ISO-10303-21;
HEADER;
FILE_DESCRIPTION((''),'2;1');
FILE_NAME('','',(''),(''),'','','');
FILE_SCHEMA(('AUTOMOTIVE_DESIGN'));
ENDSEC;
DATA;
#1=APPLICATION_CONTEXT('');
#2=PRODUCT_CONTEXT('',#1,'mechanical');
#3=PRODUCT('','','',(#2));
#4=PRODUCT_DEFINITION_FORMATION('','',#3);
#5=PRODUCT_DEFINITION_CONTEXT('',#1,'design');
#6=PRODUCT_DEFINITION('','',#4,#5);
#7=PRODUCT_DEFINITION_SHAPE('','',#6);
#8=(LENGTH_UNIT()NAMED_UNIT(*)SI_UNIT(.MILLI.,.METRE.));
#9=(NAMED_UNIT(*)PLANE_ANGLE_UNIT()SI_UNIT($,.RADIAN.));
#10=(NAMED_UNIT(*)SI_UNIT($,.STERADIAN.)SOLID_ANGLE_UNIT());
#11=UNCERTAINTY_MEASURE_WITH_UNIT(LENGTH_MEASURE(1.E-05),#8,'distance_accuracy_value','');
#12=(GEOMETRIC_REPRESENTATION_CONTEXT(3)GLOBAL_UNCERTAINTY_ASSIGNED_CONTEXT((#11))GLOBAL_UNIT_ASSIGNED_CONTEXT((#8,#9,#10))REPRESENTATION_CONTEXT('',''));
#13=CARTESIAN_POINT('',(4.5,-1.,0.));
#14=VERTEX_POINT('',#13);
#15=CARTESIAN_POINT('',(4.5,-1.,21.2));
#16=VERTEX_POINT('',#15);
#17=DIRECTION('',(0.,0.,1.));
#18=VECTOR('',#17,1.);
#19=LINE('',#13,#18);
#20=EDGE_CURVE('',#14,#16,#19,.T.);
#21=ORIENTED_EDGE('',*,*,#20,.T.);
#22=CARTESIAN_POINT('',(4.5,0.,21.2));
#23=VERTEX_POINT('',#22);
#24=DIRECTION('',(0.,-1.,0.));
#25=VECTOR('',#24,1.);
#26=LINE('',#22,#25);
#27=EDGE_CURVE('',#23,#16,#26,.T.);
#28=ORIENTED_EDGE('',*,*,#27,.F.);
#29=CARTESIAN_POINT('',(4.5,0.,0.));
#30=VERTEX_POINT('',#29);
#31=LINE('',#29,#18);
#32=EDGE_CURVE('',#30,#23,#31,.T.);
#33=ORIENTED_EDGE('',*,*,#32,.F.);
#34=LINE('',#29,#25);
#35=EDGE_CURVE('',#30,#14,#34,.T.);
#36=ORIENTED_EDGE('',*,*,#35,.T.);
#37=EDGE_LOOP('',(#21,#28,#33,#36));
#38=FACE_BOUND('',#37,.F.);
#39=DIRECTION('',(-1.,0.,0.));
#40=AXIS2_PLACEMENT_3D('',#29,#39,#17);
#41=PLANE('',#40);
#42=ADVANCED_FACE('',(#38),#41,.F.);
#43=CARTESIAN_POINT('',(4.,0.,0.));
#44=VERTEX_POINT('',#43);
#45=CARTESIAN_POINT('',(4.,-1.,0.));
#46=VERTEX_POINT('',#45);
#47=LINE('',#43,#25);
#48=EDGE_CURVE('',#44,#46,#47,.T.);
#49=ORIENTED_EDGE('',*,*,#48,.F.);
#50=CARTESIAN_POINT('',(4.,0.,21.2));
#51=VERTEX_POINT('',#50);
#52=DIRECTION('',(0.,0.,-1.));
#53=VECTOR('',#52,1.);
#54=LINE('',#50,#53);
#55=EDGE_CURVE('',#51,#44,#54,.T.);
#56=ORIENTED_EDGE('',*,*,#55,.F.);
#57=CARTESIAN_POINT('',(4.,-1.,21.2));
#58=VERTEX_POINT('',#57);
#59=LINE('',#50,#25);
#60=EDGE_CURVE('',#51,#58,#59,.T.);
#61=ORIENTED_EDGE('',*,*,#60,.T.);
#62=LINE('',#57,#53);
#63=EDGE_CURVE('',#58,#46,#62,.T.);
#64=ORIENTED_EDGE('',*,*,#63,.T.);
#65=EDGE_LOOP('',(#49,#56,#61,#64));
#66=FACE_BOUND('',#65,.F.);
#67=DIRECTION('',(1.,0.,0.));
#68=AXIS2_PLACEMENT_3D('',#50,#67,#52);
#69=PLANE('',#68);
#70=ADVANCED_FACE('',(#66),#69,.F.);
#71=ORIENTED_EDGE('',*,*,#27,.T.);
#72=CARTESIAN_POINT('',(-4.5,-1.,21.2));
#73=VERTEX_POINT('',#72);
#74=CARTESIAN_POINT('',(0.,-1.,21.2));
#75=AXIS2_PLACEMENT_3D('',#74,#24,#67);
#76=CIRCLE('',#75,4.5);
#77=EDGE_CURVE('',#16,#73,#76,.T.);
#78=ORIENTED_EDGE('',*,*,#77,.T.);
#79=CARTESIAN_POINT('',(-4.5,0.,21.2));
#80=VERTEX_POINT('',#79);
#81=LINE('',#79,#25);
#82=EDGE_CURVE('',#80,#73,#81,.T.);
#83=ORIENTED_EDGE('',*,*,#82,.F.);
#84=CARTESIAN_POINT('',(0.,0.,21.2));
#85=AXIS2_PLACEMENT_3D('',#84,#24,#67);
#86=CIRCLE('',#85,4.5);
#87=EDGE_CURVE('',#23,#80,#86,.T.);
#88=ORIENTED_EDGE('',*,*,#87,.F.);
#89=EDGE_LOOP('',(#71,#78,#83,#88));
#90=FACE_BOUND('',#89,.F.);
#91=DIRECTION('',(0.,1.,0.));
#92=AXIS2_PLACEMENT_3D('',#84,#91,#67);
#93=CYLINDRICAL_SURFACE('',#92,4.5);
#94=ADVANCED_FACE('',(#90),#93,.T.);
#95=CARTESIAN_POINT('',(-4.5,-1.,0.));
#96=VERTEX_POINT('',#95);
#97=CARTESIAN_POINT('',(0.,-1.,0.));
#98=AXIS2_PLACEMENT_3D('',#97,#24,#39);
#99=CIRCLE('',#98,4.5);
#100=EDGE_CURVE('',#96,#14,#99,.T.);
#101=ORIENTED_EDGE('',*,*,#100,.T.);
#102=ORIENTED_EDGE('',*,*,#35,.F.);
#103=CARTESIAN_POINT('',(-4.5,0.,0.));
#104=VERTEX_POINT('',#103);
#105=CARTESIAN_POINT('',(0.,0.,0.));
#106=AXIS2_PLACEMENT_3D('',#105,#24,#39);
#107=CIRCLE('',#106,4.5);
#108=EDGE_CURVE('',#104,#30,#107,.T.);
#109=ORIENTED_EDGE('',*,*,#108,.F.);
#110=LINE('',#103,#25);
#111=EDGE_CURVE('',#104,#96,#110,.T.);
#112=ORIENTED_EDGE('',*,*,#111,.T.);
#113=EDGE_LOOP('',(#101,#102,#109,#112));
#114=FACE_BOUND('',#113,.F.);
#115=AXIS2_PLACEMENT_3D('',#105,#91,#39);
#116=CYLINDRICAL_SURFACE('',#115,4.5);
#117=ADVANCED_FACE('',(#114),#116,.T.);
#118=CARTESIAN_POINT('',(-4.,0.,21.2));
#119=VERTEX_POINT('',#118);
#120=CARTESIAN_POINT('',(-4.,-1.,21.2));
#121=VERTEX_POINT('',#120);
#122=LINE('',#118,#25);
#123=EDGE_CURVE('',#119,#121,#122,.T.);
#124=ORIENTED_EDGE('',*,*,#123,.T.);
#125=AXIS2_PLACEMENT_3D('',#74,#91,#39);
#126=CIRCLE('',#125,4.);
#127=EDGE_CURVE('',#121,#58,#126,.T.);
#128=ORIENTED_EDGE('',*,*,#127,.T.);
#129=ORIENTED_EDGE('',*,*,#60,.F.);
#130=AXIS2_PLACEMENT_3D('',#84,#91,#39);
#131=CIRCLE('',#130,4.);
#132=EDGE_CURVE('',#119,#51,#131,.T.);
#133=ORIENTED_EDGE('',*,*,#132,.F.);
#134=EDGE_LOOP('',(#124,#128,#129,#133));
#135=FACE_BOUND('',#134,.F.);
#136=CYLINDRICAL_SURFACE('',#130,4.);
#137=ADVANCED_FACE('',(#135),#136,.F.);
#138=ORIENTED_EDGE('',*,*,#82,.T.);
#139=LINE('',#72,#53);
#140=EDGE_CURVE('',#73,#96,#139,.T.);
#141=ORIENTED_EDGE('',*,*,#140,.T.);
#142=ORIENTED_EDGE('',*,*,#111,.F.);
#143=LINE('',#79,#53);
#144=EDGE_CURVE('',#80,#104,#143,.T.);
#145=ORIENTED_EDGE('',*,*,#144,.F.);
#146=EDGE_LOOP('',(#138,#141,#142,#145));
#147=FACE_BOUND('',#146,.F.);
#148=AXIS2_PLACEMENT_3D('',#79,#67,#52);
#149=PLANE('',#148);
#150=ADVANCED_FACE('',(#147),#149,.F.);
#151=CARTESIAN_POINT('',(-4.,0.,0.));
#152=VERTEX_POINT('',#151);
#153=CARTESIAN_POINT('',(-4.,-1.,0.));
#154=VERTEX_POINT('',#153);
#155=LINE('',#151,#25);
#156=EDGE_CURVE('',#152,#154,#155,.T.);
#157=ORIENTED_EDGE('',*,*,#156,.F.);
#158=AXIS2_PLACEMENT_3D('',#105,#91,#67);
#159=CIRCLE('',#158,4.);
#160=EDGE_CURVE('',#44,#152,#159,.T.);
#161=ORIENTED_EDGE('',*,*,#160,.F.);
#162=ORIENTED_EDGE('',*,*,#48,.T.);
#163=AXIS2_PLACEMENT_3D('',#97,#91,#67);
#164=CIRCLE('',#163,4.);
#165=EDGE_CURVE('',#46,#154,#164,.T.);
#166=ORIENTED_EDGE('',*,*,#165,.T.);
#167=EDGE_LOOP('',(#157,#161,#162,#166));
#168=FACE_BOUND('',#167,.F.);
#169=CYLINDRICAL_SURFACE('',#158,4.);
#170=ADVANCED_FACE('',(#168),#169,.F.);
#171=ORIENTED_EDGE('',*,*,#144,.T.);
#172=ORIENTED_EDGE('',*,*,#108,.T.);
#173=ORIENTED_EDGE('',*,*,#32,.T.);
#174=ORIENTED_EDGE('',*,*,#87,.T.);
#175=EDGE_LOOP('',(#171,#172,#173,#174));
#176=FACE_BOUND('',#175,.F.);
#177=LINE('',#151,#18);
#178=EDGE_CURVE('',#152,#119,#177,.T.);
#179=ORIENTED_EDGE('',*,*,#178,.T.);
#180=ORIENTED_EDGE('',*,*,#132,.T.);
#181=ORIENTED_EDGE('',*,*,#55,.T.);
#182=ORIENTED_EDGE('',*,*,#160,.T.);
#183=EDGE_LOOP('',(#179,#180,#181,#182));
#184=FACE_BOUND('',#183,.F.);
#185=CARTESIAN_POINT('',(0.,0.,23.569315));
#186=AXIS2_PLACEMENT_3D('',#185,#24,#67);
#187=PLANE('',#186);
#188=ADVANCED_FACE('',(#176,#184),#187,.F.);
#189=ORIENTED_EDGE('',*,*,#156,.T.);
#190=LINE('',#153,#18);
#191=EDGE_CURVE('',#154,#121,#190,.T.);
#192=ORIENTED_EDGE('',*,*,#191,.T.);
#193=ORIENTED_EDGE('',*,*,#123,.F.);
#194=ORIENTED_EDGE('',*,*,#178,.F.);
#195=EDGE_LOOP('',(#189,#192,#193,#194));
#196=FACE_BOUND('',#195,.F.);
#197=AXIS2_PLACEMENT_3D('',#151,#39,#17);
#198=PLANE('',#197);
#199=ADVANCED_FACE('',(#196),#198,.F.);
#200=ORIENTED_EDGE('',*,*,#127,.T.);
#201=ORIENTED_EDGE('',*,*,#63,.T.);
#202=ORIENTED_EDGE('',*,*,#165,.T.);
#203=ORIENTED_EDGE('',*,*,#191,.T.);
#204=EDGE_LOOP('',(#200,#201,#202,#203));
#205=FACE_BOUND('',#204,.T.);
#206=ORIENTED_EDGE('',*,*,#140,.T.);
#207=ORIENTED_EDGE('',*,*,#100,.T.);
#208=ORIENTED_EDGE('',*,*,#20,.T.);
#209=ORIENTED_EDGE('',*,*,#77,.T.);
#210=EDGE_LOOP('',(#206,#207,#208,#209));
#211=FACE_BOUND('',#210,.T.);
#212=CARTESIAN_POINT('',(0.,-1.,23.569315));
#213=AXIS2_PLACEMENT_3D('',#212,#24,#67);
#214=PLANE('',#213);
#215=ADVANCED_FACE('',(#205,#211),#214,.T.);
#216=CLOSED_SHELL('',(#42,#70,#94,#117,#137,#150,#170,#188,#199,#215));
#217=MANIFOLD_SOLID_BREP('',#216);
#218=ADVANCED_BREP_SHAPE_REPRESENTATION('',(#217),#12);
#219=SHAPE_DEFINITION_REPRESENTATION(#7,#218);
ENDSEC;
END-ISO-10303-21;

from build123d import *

# Parameters (mm, degrees)
F1_DEPTH = 1


with BuildPart() as f1:
    # F0 (on Front) → F1 (new body)
    with BuildSketch(Plane.XZ):
        with BuildLine():
            ThreePointArc((4.5, 21.2), (0, 25.7), (-4.5, 21.2))
            Line((-4.5, 21.2), (-4, 21.2))
            ThreePointArc((-4, 21.2), (0, 25.2), (4, 21.2))
            Line((4, 21.2), (4.5, 21.2))
        make_face()
        with BuildLine():
            Line((4, 21.2), (4, 19.1384471872))
            ThreePointArc((4, 19.1384471872), (4.3732139211, 20.1393398282), (4.5, 21.2))
            Line((4.5, 21.2), (4, 21.2))
        make_face()
        with BuildLine():
            ThreePointArc((-4.5, 21.2), (-4.3732139211, 20.1393398282), (-4, 19.1384471872))
            Line((-4, 19.1384471872), (-4, 21.2))
            Line((-4, 21.2), (-4.5, 21.2))
        make_face()
        with BuildLine():
            ThreePointArc((-4.5, 0), (-4.3732139211, 1.0606601718), (-4, 2.0615528128))
            Line((-4, 2.0615528128), (-4, 19.1384471872))
            ThreePointArc((-4, 19.1384471872), (-4.3732139211, 20.1393398282), (-4.5, 21.2))
            Line((-4.5, 21.2), (-4.5, 0))
        make_face()
        with BuildLine():
            Line((4, 19.1384471872), (4, 2.0615528128))
            ThreePointArc((4, 2.0615528128), (4.3732139211, 1.0606601718), (4.5, 0))
            Line((4.5, 0), (4.5, 21.2))
            ThreePointArc((4.5, 21.2), (4.3732139211, 20.1393398282), (4, 19.1384471872))
        make_face()
        with BuildLine():
            Line((-4.5, 0), (-4, 0))
            Line((-4, 0), (-4, 2.0615528128))
            ThreePointArc((-4, 2.0615528128), (-4.3732139211, 1.0606601718), (-4.5, 0))
        make_face()
        with BuildLine():
            Line((4, 2.0615528128), (4, 0))
            Line((4, 0), (4.5, 0))
            ThreePointArc((4.5, 0), (4.3732139211, 1.0606601718), (4, 2.0615528128))
        make_face()
        with BuildLine():
            ThreePointArc((4, 0), (0, -4), (-4, 0))
            Line((-4, 0), (-4.5, 0))
            ThreePointArc((-4.5, 0), (0, -4.5), (4.5, 0))
            Line((4.5, 0), (4, 0))
        make_face()
    extrude(amount=F1_DEPTH)


solid = f1.part
